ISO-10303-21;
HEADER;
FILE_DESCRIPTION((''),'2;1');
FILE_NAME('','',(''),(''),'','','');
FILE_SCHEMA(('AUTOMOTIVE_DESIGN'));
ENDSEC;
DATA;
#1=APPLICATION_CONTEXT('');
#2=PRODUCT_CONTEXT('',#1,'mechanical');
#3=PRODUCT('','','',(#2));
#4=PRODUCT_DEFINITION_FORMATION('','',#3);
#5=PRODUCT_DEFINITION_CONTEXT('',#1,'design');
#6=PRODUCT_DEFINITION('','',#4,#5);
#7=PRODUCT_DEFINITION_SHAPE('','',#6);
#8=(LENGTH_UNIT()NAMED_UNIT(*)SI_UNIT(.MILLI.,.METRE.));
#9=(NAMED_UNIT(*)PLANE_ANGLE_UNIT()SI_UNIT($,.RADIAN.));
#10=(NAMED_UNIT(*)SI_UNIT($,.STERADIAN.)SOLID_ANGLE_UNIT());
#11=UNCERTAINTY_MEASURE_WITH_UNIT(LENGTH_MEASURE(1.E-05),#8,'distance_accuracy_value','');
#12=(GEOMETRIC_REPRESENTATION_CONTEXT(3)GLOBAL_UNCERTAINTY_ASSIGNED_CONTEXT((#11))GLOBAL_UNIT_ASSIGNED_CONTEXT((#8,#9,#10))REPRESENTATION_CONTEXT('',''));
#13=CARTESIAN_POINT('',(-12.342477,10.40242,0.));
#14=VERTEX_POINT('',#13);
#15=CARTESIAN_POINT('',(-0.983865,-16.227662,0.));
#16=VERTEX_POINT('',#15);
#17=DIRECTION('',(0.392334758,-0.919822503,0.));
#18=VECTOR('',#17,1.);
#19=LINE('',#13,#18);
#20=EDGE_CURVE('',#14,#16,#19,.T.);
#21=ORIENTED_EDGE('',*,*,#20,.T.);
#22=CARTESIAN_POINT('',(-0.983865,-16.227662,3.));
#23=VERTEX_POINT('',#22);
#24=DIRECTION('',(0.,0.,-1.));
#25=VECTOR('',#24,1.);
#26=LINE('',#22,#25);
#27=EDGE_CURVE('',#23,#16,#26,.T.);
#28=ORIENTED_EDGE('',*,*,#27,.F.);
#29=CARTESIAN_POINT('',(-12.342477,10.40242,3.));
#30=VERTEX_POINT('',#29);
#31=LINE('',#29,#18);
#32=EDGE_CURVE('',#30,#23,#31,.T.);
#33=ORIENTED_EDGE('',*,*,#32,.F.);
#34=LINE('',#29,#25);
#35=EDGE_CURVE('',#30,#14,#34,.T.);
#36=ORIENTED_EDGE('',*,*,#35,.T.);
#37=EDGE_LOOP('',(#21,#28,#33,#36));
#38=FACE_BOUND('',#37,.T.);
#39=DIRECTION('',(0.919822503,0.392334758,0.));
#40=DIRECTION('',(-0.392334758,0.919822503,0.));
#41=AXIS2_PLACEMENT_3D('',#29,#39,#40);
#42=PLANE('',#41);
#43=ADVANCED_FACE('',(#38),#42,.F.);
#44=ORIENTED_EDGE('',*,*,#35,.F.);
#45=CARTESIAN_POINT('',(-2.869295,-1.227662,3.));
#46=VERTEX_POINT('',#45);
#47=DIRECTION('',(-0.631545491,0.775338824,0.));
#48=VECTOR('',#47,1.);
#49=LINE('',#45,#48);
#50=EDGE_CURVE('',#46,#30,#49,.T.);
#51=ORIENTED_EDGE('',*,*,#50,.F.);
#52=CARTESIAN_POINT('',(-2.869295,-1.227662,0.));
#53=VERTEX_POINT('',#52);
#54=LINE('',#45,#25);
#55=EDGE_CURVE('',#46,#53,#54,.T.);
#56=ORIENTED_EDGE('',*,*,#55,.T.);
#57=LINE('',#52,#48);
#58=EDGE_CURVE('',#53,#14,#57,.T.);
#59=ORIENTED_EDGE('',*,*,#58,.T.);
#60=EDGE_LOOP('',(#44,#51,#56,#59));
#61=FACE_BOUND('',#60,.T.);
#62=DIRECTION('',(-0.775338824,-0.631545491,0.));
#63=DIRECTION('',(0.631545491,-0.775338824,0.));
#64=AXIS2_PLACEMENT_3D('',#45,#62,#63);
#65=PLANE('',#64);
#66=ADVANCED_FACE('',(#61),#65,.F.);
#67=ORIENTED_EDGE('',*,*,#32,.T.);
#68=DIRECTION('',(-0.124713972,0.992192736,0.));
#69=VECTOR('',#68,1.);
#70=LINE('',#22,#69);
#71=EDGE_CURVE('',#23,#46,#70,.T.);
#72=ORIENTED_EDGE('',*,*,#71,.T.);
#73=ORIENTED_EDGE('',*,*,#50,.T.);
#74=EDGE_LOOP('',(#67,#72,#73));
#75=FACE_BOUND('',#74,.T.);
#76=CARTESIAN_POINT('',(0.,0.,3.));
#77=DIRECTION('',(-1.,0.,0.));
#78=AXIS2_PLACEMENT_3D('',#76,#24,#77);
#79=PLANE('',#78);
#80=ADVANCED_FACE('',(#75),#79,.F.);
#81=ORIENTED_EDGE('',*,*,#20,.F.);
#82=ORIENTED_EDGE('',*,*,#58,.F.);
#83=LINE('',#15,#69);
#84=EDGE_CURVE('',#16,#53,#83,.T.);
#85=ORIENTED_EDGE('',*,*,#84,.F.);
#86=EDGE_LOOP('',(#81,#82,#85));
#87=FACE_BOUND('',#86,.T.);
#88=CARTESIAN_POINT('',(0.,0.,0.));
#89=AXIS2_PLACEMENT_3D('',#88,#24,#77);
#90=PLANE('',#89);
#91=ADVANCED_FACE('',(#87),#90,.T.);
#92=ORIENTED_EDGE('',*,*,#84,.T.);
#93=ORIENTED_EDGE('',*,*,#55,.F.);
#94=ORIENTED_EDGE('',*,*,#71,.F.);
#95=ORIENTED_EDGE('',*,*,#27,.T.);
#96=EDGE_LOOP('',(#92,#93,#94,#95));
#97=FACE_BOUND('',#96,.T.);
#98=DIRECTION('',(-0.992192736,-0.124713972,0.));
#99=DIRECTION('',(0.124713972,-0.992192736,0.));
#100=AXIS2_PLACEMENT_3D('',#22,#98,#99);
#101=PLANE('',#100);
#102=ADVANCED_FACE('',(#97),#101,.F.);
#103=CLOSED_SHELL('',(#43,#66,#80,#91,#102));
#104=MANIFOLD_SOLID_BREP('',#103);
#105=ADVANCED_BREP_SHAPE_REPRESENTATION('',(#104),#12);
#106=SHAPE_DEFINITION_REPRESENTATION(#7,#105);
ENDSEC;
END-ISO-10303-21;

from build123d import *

# Parameters (mm, degrees)
BOSS_EXTRU_1_DEPTH = 3


with BuildPart() as part:
    # Esquisse1 → Boss.-Extru.1 (new body)
    with BuildSketch(Plane.XY):
        Polygon((-12.342477105, 10.402420385), (-0.983865114, -16.227661982), (-2.86929474, -1.227661982), align=None)
    extrude(amount=BOSS_EXTRU_1_DEPTH)


solid = part.part
